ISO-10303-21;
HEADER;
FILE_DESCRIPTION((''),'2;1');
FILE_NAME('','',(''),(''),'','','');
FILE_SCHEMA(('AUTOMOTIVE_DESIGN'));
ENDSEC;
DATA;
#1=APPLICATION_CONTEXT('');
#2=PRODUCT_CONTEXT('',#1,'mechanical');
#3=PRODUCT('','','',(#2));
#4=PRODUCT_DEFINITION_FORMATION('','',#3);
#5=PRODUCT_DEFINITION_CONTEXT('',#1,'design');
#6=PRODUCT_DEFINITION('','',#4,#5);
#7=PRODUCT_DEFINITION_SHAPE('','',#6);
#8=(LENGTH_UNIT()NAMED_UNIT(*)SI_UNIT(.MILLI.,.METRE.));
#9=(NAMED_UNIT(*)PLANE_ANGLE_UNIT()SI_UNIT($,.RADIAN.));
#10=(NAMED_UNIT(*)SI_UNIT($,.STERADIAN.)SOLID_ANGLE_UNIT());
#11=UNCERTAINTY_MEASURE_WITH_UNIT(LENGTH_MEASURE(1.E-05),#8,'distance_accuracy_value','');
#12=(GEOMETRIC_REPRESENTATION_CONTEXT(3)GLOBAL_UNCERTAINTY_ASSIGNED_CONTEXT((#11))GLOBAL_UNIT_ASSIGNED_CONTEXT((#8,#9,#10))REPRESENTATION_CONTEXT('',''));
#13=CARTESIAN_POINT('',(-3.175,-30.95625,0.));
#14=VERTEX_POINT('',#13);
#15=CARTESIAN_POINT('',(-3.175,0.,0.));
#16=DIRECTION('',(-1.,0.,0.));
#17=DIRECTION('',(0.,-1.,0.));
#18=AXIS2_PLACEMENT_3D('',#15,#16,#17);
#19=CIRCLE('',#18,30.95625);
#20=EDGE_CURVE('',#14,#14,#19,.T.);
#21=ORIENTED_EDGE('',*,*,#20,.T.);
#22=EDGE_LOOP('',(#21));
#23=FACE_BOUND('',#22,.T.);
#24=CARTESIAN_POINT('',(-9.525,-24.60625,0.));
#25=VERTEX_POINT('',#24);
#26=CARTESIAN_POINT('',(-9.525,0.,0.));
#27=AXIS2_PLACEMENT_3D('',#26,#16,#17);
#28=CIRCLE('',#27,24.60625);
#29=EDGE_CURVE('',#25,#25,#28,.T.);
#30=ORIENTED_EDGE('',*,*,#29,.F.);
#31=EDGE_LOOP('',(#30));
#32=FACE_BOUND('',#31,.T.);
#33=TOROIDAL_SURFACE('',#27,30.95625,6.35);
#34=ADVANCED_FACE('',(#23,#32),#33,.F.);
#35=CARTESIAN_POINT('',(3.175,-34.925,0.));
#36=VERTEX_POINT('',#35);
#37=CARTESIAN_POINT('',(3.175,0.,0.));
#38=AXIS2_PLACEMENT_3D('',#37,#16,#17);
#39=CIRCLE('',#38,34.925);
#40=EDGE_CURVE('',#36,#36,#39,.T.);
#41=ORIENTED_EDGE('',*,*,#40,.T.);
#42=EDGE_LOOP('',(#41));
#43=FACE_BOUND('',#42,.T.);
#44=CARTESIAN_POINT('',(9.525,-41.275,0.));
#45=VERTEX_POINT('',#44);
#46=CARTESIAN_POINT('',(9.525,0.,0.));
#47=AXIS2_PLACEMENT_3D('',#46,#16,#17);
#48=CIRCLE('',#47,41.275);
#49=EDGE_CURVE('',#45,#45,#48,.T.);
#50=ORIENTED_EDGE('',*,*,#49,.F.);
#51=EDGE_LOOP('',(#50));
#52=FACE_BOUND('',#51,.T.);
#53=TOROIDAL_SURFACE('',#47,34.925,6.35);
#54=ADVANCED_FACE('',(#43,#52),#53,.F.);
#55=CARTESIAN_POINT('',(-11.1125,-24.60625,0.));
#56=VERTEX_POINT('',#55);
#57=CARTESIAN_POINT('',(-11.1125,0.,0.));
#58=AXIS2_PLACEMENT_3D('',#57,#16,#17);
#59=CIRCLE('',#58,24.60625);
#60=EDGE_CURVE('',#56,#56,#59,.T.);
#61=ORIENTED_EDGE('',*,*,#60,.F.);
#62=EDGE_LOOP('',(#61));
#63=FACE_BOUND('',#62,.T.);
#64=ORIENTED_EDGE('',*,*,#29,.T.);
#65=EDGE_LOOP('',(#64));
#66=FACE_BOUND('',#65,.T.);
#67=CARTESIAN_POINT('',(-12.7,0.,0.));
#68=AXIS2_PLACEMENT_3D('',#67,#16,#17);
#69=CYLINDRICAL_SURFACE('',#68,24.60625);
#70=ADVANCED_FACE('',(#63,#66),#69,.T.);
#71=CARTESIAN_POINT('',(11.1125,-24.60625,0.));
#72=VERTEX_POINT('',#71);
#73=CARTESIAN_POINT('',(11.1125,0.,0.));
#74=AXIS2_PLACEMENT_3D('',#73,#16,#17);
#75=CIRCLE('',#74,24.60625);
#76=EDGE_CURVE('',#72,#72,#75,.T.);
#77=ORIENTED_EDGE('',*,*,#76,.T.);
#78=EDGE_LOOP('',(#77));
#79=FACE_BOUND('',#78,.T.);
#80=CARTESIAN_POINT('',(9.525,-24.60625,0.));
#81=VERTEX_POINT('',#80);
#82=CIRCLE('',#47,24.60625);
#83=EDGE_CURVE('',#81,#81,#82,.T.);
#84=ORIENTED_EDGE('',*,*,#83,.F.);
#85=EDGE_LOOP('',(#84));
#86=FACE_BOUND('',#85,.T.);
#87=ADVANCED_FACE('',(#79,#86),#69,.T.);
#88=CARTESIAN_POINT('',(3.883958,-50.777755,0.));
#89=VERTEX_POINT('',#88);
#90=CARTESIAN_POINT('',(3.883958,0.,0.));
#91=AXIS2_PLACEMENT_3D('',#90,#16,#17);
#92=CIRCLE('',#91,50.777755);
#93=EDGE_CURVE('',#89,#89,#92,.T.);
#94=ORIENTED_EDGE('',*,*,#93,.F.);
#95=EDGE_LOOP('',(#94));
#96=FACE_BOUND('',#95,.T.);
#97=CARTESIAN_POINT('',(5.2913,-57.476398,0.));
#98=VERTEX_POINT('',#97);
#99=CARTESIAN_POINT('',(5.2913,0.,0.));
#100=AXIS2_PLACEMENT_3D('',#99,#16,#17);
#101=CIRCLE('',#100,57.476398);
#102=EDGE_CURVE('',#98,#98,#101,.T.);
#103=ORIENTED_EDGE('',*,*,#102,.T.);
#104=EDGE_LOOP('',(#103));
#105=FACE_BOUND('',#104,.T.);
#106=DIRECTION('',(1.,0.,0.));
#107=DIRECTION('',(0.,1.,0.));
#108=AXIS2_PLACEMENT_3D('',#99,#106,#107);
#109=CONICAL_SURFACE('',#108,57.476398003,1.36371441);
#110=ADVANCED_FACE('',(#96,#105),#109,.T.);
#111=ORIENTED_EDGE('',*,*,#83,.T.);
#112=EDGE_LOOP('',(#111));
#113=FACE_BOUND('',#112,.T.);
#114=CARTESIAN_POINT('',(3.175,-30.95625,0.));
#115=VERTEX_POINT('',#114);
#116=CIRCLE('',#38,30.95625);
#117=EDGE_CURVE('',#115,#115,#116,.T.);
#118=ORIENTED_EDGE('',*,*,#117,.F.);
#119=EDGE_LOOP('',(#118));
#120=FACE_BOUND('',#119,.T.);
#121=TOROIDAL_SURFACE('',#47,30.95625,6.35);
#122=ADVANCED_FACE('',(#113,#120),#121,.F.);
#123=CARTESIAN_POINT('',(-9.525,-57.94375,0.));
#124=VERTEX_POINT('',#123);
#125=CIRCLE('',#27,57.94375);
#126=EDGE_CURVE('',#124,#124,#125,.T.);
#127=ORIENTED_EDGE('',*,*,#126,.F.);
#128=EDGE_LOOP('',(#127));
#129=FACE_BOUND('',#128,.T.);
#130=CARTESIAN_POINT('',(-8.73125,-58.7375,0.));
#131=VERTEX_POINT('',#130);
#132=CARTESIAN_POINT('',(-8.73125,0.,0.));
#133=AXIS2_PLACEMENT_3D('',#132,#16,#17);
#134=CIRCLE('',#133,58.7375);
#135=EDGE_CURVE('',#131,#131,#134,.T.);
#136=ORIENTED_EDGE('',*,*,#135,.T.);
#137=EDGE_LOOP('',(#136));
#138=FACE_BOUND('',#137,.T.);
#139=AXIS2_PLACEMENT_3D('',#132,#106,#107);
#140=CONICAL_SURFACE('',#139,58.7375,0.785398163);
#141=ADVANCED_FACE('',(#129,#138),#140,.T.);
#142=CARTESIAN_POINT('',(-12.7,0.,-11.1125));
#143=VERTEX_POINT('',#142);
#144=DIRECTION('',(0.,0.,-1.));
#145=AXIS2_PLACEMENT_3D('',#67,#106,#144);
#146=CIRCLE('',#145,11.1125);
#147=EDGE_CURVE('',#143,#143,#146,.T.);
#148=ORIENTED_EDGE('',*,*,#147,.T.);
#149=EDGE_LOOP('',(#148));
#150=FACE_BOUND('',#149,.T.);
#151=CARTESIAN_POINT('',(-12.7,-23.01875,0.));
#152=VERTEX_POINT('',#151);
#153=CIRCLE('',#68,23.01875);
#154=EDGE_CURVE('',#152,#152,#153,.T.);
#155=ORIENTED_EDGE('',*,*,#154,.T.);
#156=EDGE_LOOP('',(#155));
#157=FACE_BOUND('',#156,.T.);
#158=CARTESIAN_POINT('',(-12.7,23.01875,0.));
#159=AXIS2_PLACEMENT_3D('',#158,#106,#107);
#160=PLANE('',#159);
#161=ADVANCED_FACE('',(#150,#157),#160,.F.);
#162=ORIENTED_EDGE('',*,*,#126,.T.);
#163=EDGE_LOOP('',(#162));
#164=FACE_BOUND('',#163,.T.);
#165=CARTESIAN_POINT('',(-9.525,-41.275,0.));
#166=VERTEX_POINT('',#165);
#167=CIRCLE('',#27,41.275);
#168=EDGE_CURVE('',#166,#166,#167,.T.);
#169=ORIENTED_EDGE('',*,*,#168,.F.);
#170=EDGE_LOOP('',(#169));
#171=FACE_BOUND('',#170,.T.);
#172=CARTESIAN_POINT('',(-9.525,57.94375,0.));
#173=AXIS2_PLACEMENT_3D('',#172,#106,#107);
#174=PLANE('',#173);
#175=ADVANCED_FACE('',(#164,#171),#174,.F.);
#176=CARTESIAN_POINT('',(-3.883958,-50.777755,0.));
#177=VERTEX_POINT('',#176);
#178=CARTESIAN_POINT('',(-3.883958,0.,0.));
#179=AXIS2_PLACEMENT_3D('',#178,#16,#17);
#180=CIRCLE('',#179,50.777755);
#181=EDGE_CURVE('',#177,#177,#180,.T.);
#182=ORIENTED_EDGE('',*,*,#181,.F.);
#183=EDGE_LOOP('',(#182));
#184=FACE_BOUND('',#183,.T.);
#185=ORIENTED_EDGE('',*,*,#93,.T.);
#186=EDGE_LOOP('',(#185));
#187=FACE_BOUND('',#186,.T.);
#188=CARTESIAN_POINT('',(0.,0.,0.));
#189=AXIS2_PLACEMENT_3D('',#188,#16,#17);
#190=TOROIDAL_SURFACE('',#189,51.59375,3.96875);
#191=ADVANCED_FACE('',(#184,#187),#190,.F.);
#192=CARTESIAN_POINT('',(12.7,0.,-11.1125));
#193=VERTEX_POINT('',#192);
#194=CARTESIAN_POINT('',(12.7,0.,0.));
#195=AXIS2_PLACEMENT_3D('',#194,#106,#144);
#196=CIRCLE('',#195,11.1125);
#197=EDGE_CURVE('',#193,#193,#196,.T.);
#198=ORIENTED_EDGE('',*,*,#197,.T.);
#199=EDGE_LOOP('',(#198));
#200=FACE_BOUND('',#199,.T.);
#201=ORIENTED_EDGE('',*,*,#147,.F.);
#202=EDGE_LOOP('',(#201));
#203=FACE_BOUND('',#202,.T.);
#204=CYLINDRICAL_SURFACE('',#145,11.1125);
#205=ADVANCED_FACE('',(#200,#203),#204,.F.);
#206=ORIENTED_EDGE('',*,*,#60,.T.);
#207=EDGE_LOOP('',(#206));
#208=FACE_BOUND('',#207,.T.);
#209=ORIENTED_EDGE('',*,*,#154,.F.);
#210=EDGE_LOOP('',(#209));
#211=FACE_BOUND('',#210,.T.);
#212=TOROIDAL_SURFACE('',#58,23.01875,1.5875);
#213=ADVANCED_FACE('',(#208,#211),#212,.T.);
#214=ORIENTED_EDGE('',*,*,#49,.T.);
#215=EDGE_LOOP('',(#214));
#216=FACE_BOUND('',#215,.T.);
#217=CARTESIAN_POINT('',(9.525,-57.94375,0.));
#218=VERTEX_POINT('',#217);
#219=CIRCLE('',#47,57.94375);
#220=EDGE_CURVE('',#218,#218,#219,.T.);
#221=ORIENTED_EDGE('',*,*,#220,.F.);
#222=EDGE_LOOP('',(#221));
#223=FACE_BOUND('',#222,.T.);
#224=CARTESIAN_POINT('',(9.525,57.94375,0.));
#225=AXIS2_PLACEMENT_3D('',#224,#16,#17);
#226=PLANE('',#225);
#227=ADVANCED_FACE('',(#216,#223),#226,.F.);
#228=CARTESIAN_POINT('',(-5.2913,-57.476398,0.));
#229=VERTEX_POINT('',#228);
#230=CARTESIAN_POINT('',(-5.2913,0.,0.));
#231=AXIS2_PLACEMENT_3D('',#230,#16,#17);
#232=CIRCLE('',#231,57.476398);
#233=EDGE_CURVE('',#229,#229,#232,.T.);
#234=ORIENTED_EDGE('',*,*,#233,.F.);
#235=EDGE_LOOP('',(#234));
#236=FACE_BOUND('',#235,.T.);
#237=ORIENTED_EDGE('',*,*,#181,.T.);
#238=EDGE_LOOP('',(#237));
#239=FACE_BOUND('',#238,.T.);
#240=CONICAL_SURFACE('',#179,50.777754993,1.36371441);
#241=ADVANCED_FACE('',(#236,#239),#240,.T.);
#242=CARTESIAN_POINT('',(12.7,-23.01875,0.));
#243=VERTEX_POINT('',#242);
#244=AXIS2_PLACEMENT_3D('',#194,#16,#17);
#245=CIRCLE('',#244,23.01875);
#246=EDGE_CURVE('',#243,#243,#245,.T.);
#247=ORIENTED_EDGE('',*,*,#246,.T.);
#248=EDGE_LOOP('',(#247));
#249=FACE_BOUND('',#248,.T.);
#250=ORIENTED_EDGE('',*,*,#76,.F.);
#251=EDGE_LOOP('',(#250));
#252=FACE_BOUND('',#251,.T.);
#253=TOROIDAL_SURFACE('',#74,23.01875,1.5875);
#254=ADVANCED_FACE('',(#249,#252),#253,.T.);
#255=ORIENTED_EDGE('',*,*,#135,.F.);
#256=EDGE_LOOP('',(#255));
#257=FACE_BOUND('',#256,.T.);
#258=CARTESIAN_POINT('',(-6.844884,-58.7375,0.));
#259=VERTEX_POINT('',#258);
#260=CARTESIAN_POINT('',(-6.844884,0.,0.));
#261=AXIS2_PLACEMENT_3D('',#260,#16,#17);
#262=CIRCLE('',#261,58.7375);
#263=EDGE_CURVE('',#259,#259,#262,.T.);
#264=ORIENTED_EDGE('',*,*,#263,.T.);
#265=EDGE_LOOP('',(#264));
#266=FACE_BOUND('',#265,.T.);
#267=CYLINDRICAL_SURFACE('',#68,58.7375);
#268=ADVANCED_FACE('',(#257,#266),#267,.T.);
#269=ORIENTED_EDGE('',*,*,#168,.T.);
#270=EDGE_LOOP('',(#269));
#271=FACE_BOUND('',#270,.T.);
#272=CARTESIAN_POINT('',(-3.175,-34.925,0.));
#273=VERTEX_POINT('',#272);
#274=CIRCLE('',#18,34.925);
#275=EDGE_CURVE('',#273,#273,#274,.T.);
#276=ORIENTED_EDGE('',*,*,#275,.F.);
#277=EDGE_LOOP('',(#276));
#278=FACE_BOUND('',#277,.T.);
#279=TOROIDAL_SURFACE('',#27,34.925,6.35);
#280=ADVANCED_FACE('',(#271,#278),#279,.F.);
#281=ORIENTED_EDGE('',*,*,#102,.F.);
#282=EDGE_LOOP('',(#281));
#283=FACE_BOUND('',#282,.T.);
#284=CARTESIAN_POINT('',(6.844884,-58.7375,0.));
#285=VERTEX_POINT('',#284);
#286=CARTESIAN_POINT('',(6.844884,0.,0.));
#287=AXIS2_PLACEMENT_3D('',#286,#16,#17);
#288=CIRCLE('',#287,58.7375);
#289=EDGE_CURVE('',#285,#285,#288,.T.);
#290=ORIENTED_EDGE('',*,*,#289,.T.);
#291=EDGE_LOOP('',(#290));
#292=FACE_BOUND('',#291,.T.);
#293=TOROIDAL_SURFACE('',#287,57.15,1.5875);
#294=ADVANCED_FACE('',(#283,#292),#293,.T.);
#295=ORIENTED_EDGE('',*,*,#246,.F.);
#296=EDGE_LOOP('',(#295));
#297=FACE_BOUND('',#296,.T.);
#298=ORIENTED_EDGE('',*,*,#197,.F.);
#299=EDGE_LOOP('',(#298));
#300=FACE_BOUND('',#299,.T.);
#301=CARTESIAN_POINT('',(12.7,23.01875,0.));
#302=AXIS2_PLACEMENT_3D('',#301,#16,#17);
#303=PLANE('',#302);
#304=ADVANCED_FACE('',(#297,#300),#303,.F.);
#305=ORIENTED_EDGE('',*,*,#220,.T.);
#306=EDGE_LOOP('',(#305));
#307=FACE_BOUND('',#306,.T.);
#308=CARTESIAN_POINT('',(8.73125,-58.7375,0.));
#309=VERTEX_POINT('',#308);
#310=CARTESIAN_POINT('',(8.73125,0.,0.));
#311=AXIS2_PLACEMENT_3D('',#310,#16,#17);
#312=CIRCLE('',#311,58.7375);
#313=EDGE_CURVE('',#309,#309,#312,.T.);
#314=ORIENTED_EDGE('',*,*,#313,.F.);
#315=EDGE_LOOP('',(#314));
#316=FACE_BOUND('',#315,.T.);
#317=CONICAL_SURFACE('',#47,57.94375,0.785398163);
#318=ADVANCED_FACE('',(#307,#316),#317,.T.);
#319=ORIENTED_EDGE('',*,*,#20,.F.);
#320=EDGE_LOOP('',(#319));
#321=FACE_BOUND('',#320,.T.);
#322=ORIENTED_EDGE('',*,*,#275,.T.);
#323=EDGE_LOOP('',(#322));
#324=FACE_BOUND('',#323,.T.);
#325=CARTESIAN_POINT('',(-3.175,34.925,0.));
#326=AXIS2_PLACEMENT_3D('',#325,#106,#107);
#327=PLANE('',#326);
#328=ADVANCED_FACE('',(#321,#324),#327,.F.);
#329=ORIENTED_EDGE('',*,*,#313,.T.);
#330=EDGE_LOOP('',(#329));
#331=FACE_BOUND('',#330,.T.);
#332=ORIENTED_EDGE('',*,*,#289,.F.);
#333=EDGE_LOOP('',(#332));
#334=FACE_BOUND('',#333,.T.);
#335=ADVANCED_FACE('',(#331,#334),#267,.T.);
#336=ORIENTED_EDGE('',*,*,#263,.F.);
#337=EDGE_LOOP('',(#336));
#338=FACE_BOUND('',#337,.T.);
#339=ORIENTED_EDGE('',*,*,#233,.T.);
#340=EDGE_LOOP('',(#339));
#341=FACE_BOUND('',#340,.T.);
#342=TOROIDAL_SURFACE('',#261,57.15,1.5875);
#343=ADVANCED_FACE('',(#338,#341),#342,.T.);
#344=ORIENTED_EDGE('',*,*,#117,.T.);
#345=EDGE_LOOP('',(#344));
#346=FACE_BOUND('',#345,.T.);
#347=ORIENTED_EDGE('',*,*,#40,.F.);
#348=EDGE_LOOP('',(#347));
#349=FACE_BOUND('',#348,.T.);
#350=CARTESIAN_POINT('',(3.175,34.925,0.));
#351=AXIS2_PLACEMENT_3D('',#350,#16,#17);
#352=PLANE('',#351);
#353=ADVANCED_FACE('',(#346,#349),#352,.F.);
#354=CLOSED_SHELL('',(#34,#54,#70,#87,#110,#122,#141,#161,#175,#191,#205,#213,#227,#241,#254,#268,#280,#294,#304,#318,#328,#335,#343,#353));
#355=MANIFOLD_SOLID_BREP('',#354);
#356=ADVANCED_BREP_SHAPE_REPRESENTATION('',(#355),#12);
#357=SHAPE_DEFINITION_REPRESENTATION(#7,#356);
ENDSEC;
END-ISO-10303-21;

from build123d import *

# Parameters (mm, degrees)
SKETCH2_R          = 11.1125
CUT_EXTRUDE1_DEPTH = 26.4


with BuildPart() as part:
    # Sketch1 → Revolve1 (revolve)
    with BuildSketch(Plane.XY, mode=Mode.PRIVATE) as revolve1_sk:
        with BuildLine():
            Line((-12.7, 0), (12.7, 0))
            Line((12.7, 0), (12.7, 23.01875))
            ThreePointArc((12.7, 23.01875), (12.235032015, 24.141282015), (11.1125, 24.60625))
            Line((11.1125, 24.60625), (9.525, 24.60625))
            ThreePointArc((9.525, 24.60625), (5.034871939, 26.466121939), (3.175, 30.95625))
            Line((3.175, 30.95625), (3.175, 34.925))
            ThreePointArc((3.175, 34.925), (5.034871939, 39.415128061), (9.525, 41.275))
            Line((9.525, 41.275), (9.525, 57.94375))
            Line((9.525, 57.94375), (8.73125, 58.7375))
            Line((8.73125, 58.7375), (6.844883585, 58.7375))
            ThreePointArc((6.844883585, 58.7375), (5.844383855, 58.382540685), (5.291300439, 57.476398003))
            Line((5.291300439, 57.476398003), (3.883957867, 50.777754993))
            ThreePointArc((3.883957867, 50.777754993), (0, 47.625), (-3.883957867, 50.777754993))
            Line((-3.883957867, 50.777754993), (-5.291300439, 57.476398003))
            ThreePointArc((-5.291300439, 57.476398003), (-5.844383855, 58.382540685), (-6.844883585, 58.7375))
            Line((-6.844883585, 58.7375), (-8.73125, 58.7375))
            Line((-8.73125, 58.7375), (-9.525, 57.94375))
            Line((-9.525, 57.94375), (-9.525, 41.275))
            ThreePointArc((-9.525, 41.275), (-5.034871939, 39.415128061), (-3.175, 34.925))
            Line((-3.175, 34.925), (-3.175, 30.95625))
            ThreePointArc((-3.175, 30.95625), (-5.034871939, 26.466121939), (-9.525, 24.60625))
            Line((-9.525, 24.60625), (-11.1125, 24.60625))
            ThreePointArc((-11.1125, 24.60625), (-12.235032015, 24.141282015), (-12.7, 23.01875))
            Line((-12.7, 23.01875), (-12.7, 0))
        make_face()
    revolve(revolve1_sk.sketch.rotate(Axis((-12.7, 0, 0), (1, 0, 0)), 180), axis=Axis((-12.7, 0, 0), (1, 0, 0)))  # turned: the seam where the file's is

    # Sketch2 → Cut-Extrude1 (cut, through all)
    with BuildSketch(Plane(origin=(12.7, 0, 0), x_dir=(0, 0, -1), z_dir=(1, 0, 0))):
        Circle(SKETCH2_R)
    extrude(amount=-CUT_EXTRUDE1_DEPTH, mode=Mode.SUBTRACT)


solid = part.part
